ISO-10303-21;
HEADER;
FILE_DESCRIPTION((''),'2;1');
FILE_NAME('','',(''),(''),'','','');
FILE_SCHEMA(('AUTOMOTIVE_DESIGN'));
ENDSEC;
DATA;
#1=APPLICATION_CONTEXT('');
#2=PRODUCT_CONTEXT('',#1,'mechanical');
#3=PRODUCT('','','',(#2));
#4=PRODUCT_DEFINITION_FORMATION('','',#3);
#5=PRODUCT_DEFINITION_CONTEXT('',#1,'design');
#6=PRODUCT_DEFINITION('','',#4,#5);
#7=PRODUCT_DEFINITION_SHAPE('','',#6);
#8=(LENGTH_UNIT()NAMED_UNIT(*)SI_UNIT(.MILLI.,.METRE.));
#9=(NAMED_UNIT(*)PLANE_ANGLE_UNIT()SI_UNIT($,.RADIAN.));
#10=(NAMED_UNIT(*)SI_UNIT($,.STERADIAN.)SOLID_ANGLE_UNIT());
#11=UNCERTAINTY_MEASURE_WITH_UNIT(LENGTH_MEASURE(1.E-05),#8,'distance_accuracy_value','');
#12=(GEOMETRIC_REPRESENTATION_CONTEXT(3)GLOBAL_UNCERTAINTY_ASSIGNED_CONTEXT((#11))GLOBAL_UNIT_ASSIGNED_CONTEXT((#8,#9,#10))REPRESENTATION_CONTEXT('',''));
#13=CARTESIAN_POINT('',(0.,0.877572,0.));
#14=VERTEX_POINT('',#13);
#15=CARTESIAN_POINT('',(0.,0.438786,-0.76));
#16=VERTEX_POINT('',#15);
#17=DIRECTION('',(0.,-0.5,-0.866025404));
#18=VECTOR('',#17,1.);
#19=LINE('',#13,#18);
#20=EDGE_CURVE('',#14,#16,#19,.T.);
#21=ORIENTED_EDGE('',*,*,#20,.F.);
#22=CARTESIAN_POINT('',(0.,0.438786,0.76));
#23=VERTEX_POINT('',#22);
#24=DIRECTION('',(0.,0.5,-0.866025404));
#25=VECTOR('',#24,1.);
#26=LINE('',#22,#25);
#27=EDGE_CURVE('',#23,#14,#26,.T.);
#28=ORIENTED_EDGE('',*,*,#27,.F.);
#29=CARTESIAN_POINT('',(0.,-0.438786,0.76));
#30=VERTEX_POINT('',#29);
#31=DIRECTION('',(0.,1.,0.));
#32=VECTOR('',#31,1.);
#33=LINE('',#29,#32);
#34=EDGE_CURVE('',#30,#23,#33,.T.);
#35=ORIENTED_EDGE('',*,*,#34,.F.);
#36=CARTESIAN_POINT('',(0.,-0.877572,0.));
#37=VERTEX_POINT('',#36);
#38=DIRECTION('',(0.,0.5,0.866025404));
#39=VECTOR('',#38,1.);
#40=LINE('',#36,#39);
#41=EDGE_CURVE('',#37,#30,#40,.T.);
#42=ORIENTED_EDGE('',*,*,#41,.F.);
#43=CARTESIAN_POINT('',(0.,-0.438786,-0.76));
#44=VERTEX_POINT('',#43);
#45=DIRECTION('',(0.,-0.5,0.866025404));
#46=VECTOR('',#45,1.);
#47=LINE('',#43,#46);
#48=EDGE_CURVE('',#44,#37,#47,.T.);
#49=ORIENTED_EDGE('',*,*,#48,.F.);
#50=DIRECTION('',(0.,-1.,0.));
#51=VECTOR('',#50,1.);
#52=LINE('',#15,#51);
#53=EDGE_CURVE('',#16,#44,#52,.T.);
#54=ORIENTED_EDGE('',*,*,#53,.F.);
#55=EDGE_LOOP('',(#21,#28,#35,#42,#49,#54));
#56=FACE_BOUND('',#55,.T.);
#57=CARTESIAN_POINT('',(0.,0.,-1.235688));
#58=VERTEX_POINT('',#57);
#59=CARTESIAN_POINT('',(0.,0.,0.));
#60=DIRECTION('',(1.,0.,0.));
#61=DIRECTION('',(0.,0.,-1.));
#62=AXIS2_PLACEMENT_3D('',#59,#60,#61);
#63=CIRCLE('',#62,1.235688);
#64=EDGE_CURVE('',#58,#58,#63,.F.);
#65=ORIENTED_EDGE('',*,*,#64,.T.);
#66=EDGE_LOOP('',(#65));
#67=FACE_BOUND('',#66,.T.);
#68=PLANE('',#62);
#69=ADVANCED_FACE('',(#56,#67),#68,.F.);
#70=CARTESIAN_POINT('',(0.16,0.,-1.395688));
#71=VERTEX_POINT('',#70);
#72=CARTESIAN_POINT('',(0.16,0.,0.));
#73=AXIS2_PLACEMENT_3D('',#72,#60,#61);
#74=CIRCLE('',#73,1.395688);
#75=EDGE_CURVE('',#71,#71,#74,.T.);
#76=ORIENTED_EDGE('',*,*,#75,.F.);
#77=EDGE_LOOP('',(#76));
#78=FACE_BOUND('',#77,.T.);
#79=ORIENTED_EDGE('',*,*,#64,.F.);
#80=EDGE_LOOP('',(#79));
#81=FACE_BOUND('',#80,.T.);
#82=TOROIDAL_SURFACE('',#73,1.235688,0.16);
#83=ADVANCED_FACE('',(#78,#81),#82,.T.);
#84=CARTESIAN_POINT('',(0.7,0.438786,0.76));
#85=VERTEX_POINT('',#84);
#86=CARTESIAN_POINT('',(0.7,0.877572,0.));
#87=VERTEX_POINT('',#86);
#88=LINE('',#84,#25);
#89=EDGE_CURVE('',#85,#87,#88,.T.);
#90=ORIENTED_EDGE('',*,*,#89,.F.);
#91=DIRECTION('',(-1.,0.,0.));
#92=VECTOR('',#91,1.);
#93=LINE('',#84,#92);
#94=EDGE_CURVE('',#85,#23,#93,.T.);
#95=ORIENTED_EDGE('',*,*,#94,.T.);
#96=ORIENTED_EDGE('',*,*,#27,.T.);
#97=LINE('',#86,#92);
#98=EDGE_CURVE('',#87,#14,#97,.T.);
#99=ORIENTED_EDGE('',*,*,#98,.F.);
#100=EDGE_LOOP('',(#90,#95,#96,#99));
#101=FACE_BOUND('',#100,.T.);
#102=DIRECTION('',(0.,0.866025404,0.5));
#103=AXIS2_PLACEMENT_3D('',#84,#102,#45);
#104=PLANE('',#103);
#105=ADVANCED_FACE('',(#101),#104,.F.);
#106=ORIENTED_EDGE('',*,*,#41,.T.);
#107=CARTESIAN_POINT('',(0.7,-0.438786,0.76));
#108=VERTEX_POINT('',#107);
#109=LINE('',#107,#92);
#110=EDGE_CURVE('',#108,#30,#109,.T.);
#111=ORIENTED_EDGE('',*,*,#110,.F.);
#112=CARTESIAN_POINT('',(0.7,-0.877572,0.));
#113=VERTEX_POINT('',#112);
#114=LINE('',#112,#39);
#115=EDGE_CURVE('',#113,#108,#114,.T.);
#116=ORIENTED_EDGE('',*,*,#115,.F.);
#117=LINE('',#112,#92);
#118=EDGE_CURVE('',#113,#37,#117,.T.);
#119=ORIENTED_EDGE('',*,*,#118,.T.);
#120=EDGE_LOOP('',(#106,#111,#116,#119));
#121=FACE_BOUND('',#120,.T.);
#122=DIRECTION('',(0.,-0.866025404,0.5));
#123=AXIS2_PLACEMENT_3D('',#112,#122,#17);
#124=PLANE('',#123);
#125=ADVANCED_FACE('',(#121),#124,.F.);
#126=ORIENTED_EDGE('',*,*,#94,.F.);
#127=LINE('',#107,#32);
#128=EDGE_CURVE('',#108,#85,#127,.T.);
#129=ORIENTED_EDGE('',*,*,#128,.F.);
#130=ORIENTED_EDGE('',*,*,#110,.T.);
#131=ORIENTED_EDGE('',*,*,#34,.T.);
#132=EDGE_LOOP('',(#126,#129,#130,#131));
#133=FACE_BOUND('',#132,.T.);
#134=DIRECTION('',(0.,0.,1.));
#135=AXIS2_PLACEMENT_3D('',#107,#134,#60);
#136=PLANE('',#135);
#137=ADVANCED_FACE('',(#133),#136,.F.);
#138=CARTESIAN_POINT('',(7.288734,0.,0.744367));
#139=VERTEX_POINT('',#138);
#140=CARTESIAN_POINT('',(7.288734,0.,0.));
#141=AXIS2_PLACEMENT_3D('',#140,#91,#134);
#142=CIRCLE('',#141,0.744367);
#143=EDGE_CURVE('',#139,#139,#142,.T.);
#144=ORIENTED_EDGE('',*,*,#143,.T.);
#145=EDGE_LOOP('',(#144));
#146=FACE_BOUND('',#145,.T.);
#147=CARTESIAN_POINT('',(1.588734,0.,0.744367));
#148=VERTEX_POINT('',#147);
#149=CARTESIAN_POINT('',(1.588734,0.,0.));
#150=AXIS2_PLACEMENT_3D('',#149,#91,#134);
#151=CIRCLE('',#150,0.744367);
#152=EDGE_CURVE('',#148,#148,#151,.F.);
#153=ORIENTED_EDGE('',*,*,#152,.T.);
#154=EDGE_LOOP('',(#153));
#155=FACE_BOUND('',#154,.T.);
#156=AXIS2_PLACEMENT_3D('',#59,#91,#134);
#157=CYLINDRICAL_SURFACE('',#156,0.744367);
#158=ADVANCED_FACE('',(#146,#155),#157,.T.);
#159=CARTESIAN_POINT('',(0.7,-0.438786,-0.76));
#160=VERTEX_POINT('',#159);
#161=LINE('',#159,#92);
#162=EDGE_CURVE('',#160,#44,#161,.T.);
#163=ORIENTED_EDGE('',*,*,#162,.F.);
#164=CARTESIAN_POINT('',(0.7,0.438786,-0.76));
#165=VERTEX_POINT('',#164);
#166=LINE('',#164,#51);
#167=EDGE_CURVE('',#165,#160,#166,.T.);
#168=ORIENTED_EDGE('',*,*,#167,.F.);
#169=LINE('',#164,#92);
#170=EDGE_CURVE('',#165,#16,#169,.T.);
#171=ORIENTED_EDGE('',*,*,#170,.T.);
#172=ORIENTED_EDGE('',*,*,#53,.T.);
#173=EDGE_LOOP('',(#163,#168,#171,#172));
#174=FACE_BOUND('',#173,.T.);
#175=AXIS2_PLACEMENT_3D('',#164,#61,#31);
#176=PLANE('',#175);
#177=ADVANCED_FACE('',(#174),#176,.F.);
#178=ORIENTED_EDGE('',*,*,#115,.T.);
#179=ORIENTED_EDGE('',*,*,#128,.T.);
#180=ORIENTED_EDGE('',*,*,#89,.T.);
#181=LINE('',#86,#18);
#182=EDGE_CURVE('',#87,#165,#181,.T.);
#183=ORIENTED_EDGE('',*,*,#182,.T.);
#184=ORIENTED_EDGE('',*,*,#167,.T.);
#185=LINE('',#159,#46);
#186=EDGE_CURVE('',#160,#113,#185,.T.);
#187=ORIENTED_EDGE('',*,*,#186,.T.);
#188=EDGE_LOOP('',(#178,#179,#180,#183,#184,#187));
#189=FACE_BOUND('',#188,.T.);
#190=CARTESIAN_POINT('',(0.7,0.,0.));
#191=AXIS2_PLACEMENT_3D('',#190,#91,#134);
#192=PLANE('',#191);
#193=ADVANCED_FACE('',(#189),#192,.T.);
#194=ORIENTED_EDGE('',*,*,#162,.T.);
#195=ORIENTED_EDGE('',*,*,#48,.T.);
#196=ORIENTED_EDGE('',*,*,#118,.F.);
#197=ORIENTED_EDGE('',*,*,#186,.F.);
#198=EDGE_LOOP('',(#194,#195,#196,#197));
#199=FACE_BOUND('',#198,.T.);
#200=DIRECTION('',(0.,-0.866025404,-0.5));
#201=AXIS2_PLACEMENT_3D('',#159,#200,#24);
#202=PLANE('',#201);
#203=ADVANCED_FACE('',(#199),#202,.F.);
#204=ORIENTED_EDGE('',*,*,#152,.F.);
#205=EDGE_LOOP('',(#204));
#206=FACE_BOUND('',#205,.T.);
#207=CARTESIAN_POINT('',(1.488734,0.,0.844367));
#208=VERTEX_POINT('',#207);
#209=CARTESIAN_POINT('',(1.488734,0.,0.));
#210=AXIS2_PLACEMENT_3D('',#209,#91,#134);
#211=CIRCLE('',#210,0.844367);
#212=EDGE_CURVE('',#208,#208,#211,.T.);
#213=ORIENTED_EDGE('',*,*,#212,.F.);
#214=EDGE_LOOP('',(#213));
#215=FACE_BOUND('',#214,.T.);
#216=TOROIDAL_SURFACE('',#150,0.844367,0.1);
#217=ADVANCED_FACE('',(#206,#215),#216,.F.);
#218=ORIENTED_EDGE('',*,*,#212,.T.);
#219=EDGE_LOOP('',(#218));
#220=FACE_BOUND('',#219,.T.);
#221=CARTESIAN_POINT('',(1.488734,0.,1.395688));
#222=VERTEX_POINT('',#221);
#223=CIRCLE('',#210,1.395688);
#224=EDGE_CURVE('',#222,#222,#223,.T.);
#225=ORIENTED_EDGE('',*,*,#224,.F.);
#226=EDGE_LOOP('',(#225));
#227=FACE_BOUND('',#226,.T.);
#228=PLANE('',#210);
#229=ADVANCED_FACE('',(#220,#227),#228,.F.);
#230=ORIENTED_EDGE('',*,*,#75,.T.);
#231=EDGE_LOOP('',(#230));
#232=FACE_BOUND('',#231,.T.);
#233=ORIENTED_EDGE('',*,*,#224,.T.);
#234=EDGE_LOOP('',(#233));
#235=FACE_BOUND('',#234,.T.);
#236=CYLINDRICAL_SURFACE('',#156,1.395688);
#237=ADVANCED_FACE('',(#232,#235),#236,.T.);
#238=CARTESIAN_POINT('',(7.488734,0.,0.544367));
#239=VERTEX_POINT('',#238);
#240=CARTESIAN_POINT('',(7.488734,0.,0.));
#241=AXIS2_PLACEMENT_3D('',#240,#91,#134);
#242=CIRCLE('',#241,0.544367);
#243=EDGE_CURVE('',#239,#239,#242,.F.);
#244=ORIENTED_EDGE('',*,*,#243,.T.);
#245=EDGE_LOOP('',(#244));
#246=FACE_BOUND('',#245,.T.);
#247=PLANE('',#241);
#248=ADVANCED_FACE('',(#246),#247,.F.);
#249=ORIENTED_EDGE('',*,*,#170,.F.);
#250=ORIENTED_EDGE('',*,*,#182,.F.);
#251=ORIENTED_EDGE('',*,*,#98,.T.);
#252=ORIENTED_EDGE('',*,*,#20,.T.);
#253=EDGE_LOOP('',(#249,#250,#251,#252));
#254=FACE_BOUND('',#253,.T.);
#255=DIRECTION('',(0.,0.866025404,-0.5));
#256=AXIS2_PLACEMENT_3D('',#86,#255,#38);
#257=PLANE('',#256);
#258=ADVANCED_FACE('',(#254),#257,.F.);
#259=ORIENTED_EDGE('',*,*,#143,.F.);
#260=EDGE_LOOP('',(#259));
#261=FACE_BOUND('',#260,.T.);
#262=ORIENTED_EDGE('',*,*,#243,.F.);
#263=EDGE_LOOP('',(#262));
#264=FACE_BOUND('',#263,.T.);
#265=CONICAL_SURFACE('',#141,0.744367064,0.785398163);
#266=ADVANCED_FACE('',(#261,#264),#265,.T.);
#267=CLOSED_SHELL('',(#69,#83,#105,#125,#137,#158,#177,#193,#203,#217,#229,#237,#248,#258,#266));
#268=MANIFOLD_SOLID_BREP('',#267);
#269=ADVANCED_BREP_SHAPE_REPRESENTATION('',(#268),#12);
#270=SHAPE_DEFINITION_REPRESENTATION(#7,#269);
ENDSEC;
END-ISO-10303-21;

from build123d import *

# Parameters (mm, degrees)
FILLET1_R      = 0.1
FILLET2_R      = 0.16
CHAMFER1_SIZE  = 0.2
EXTRUDE1_DEPTH = 0.7


with BuildPart() as part:
    # Sketch1 → Revolve1 (revolve)
    with BuildSketch(Plane.XY, mode=Mode.PRIVATE) as revolve1_sk:
        Polygon((0, 1.395688245), (0, 0), (7.488734128, 0), (7.488734128, 0.744367064), (1.488734128, 0.744367064), (1.488734128, 1.395688245), align=None)
    revolve(revolve1_sk.sketch.rotate(Axis((0, 0, 0), (1, 0, 0)), 90), axis=Axis((0, 0, 0), (1, 0, 0)))

    # Fillet1
    fillet1_edges = [part.edges().sort_by_distance(p)[0] for p in [
        (1.488734128, 0, -0.744367064),
    ]]
    fillet(fillet1_edges, radius=FILLET1_R)

    # Fillet2
    fillet2_edges = [part.edges().sort_by_distance(p)[0] for p in [
        (0, 0, -1.395688245),
    ]]
    fillet(fillet2_edges, radius=FILLET2_R)

    # Chamfer1
    chamfer1_edges = [part.edges().sort_by_distance(p)[0] for p in [
        (7.488734128, 0, -0.744367064),
    ]]
    chamfer(chamfer1_edges, length=CHAMFER1_SIZE)

    # Sketch2 → Extrude1 (cut)
    with BuildSketch(Plane.ZY):
        Polygon((0, 0.877572409), (-0.76, 0.438786205), (-0.76, -0.438786205), (0, -0.877572409), (0.76, -0.438786205), (0.76, 0.438786205), align=None)
    extrude(amount=-EXTRUDE1_DEPTH, mode=Mode.SUBTRACT)


solid = part.part
